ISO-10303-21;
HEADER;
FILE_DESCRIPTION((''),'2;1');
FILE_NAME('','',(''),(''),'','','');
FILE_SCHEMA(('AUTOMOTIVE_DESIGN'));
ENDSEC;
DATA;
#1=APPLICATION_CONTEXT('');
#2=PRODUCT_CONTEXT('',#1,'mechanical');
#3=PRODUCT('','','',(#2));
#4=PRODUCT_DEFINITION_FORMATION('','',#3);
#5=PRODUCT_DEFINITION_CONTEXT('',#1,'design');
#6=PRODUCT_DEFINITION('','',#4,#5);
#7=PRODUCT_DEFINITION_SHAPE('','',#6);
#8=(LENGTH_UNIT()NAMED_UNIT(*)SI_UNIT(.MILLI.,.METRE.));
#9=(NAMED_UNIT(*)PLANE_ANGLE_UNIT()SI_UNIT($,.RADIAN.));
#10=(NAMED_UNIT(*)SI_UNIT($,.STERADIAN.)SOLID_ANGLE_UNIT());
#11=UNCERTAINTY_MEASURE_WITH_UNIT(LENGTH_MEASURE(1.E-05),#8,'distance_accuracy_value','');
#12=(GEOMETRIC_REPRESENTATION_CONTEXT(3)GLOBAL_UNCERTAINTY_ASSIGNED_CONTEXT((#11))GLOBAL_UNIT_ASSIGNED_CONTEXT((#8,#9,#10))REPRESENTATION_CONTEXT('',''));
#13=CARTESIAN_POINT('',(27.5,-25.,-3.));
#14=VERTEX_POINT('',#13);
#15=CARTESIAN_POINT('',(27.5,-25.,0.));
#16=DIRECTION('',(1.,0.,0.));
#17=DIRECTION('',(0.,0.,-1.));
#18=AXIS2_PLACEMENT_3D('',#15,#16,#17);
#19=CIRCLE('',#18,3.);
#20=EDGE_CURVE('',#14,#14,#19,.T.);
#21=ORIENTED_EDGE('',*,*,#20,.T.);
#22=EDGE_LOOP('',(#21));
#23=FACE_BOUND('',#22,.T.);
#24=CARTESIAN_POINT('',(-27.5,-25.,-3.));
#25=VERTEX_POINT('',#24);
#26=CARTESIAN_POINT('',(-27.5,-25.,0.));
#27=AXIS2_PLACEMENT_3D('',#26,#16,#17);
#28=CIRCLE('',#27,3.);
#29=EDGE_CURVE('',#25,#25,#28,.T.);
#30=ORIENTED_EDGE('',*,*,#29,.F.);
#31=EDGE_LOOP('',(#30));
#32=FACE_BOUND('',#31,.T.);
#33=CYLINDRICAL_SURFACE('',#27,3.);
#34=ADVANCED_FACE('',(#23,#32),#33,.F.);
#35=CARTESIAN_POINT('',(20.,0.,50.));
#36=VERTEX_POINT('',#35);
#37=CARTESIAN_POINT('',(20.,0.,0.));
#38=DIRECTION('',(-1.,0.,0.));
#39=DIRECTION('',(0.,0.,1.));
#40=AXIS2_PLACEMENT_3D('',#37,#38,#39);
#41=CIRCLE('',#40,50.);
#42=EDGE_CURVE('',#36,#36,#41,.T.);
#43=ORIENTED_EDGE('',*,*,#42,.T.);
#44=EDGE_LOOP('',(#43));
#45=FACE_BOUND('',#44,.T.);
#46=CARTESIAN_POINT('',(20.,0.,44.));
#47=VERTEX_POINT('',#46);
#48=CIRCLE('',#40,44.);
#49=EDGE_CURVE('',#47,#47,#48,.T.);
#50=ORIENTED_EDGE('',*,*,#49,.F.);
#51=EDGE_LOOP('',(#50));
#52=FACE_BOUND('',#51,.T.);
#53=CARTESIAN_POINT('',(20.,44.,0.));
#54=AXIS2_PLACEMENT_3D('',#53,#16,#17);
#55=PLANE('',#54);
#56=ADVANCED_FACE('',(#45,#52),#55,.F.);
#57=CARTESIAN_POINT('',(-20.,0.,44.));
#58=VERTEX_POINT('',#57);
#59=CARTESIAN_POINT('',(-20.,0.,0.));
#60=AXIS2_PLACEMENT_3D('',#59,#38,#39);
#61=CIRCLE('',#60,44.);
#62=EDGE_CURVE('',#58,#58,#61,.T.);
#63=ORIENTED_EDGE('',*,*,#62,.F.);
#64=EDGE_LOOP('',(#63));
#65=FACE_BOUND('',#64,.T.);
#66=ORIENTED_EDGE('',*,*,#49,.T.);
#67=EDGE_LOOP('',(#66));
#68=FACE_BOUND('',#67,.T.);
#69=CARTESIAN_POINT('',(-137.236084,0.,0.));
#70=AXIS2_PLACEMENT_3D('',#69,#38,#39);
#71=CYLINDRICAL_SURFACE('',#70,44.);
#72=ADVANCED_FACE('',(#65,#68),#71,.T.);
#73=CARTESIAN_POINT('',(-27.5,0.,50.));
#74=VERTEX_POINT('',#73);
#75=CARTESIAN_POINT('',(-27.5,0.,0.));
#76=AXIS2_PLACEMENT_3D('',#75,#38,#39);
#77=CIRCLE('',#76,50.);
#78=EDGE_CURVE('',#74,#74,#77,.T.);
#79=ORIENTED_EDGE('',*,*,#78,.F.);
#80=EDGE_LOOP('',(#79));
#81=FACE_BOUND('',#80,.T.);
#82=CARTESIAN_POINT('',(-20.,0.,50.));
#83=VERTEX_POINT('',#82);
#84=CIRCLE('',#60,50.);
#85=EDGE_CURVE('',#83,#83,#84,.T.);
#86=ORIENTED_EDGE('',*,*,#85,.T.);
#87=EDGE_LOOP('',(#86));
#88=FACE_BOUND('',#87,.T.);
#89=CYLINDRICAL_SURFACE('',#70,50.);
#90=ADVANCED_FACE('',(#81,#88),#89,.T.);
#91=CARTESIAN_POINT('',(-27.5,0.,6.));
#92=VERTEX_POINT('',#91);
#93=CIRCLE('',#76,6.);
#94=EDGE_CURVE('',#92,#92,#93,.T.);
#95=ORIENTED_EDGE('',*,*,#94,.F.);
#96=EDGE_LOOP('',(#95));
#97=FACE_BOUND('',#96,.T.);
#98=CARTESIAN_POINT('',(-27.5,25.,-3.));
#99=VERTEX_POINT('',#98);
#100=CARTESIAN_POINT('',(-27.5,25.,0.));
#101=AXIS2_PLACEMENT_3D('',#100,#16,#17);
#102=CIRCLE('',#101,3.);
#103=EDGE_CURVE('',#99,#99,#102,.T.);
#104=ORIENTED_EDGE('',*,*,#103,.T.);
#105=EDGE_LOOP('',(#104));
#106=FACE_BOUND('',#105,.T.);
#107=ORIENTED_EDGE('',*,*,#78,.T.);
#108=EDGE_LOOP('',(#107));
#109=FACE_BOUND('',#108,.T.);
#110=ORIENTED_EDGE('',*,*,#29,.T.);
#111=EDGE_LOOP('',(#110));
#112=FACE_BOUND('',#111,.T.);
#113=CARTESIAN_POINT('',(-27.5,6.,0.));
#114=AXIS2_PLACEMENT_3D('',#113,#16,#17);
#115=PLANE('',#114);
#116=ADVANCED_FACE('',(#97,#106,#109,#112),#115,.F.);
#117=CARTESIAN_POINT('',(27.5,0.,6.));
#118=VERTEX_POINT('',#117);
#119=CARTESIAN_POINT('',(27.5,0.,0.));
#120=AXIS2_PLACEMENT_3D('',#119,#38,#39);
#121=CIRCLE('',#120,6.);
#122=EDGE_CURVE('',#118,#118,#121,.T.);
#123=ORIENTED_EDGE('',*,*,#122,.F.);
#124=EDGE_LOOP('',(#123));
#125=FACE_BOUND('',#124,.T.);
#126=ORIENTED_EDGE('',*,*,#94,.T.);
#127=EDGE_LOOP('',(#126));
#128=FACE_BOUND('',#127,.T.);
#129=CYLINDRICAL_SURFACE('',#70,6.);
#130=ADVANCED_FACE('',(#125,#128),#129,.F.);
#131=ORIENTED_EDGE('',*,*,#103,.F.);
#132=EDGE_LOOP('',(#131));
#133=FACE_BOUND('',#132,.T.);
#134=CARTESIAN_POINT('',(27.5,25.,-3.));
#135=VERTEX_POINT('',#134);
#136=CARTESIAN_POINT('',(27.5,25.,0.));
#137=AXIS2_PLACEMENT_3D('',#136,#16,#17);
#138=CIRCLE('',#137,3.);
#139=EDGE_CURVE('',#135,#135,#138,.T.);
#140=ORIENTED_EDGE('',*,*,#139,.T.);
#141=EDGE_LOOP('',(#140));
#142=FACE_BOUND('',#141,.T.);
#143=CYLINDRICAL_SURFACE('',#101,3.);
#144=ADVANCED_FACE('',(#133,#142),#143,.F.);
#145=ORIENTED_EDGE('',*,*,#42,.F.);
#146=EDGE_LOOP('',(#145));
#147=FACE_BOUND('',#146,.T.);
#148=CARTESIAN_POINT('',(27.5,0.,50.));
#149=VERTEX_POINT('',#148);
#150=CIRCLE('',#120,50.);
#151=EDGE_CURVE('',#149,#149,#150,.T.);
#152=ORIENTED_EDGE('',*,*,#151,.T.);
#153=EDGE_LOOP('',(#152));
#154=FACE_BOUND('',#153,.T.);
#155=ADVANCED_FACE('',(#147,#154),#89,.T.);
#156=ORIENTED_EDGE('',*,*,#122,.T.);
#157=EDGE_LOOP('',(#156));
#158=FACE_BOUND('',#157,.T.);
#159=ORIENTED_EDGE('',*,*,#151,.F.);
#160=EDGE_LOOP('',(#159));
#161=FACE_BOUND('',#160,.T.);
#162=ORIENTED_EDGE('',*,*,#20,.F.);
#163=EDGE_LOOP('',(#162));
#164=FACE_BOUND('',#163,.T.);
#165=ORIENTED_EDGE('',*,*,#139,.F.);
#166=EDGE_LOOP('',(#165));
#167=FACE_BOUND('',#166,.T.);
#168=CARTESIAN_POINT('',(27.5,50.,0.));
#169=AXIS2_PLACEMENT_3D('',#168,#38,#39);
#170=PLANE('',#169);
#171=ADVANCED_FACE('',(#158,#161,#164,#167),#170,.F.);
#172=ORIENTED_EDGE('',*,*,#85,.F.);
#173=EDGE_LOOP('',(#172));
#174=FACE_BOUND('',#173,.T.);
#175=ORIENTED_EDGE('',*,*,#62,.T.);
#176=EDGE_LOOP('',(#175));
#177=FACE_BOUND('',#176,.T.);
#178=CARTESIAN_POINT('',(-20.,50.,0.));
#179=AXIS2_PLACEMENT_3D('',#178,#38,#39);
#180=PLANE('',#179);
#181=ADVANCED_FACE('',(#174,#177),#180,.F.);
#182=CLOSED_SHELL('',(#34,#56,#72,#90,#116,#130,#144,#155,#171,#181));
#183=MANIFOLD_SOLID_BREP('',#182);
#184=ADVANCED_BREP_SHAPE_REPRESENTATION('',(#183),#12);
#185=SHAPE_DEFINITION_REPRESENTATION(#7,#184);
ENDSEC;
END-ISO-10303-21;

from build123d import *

# Parameters (mm, degrees)
SKETCH3_R          = 3
CUT_EXTRUDE1_DEPTH = 90.582364336


with BuildPart() as part:
    # Sketch1 → Revolve1 (revolve)
    with BuildSketch(Plane.XY, mode=Mode.PRIVATE) as revolve1_sk:
        Polygon((20, 50), (27.5, 50), (27.5, 6), (-27.5, 6), (-27.5, 50), (-20, 50), (-20, 44), (20, 44), align=None)
    revolve(revolve1_sk.sketch.rotate(Axis((-137.236084453, 0, 0), (1, 0, 0)), 90), axis=Axis((-137.236084453, 0, 0), (1, 0, 0)))

    # Sketch3 → Cut-Extrude1 (cut, through all)
    with BuildSketch(Plane(origin=(27.5, 0, 0), x_dir=(0, 0, -1), z_dir=(1, 0, 0))):
        with Locations((0, 25)):
            Circle(SKETCH3_R)
        with Locations((0, -25)):
            Circle(SKETCH3_R)
    extrude(amount=-CUT_EXTRUDE1_DEPTH, mode=Mode.SUBTRACT)


solid = part.part
